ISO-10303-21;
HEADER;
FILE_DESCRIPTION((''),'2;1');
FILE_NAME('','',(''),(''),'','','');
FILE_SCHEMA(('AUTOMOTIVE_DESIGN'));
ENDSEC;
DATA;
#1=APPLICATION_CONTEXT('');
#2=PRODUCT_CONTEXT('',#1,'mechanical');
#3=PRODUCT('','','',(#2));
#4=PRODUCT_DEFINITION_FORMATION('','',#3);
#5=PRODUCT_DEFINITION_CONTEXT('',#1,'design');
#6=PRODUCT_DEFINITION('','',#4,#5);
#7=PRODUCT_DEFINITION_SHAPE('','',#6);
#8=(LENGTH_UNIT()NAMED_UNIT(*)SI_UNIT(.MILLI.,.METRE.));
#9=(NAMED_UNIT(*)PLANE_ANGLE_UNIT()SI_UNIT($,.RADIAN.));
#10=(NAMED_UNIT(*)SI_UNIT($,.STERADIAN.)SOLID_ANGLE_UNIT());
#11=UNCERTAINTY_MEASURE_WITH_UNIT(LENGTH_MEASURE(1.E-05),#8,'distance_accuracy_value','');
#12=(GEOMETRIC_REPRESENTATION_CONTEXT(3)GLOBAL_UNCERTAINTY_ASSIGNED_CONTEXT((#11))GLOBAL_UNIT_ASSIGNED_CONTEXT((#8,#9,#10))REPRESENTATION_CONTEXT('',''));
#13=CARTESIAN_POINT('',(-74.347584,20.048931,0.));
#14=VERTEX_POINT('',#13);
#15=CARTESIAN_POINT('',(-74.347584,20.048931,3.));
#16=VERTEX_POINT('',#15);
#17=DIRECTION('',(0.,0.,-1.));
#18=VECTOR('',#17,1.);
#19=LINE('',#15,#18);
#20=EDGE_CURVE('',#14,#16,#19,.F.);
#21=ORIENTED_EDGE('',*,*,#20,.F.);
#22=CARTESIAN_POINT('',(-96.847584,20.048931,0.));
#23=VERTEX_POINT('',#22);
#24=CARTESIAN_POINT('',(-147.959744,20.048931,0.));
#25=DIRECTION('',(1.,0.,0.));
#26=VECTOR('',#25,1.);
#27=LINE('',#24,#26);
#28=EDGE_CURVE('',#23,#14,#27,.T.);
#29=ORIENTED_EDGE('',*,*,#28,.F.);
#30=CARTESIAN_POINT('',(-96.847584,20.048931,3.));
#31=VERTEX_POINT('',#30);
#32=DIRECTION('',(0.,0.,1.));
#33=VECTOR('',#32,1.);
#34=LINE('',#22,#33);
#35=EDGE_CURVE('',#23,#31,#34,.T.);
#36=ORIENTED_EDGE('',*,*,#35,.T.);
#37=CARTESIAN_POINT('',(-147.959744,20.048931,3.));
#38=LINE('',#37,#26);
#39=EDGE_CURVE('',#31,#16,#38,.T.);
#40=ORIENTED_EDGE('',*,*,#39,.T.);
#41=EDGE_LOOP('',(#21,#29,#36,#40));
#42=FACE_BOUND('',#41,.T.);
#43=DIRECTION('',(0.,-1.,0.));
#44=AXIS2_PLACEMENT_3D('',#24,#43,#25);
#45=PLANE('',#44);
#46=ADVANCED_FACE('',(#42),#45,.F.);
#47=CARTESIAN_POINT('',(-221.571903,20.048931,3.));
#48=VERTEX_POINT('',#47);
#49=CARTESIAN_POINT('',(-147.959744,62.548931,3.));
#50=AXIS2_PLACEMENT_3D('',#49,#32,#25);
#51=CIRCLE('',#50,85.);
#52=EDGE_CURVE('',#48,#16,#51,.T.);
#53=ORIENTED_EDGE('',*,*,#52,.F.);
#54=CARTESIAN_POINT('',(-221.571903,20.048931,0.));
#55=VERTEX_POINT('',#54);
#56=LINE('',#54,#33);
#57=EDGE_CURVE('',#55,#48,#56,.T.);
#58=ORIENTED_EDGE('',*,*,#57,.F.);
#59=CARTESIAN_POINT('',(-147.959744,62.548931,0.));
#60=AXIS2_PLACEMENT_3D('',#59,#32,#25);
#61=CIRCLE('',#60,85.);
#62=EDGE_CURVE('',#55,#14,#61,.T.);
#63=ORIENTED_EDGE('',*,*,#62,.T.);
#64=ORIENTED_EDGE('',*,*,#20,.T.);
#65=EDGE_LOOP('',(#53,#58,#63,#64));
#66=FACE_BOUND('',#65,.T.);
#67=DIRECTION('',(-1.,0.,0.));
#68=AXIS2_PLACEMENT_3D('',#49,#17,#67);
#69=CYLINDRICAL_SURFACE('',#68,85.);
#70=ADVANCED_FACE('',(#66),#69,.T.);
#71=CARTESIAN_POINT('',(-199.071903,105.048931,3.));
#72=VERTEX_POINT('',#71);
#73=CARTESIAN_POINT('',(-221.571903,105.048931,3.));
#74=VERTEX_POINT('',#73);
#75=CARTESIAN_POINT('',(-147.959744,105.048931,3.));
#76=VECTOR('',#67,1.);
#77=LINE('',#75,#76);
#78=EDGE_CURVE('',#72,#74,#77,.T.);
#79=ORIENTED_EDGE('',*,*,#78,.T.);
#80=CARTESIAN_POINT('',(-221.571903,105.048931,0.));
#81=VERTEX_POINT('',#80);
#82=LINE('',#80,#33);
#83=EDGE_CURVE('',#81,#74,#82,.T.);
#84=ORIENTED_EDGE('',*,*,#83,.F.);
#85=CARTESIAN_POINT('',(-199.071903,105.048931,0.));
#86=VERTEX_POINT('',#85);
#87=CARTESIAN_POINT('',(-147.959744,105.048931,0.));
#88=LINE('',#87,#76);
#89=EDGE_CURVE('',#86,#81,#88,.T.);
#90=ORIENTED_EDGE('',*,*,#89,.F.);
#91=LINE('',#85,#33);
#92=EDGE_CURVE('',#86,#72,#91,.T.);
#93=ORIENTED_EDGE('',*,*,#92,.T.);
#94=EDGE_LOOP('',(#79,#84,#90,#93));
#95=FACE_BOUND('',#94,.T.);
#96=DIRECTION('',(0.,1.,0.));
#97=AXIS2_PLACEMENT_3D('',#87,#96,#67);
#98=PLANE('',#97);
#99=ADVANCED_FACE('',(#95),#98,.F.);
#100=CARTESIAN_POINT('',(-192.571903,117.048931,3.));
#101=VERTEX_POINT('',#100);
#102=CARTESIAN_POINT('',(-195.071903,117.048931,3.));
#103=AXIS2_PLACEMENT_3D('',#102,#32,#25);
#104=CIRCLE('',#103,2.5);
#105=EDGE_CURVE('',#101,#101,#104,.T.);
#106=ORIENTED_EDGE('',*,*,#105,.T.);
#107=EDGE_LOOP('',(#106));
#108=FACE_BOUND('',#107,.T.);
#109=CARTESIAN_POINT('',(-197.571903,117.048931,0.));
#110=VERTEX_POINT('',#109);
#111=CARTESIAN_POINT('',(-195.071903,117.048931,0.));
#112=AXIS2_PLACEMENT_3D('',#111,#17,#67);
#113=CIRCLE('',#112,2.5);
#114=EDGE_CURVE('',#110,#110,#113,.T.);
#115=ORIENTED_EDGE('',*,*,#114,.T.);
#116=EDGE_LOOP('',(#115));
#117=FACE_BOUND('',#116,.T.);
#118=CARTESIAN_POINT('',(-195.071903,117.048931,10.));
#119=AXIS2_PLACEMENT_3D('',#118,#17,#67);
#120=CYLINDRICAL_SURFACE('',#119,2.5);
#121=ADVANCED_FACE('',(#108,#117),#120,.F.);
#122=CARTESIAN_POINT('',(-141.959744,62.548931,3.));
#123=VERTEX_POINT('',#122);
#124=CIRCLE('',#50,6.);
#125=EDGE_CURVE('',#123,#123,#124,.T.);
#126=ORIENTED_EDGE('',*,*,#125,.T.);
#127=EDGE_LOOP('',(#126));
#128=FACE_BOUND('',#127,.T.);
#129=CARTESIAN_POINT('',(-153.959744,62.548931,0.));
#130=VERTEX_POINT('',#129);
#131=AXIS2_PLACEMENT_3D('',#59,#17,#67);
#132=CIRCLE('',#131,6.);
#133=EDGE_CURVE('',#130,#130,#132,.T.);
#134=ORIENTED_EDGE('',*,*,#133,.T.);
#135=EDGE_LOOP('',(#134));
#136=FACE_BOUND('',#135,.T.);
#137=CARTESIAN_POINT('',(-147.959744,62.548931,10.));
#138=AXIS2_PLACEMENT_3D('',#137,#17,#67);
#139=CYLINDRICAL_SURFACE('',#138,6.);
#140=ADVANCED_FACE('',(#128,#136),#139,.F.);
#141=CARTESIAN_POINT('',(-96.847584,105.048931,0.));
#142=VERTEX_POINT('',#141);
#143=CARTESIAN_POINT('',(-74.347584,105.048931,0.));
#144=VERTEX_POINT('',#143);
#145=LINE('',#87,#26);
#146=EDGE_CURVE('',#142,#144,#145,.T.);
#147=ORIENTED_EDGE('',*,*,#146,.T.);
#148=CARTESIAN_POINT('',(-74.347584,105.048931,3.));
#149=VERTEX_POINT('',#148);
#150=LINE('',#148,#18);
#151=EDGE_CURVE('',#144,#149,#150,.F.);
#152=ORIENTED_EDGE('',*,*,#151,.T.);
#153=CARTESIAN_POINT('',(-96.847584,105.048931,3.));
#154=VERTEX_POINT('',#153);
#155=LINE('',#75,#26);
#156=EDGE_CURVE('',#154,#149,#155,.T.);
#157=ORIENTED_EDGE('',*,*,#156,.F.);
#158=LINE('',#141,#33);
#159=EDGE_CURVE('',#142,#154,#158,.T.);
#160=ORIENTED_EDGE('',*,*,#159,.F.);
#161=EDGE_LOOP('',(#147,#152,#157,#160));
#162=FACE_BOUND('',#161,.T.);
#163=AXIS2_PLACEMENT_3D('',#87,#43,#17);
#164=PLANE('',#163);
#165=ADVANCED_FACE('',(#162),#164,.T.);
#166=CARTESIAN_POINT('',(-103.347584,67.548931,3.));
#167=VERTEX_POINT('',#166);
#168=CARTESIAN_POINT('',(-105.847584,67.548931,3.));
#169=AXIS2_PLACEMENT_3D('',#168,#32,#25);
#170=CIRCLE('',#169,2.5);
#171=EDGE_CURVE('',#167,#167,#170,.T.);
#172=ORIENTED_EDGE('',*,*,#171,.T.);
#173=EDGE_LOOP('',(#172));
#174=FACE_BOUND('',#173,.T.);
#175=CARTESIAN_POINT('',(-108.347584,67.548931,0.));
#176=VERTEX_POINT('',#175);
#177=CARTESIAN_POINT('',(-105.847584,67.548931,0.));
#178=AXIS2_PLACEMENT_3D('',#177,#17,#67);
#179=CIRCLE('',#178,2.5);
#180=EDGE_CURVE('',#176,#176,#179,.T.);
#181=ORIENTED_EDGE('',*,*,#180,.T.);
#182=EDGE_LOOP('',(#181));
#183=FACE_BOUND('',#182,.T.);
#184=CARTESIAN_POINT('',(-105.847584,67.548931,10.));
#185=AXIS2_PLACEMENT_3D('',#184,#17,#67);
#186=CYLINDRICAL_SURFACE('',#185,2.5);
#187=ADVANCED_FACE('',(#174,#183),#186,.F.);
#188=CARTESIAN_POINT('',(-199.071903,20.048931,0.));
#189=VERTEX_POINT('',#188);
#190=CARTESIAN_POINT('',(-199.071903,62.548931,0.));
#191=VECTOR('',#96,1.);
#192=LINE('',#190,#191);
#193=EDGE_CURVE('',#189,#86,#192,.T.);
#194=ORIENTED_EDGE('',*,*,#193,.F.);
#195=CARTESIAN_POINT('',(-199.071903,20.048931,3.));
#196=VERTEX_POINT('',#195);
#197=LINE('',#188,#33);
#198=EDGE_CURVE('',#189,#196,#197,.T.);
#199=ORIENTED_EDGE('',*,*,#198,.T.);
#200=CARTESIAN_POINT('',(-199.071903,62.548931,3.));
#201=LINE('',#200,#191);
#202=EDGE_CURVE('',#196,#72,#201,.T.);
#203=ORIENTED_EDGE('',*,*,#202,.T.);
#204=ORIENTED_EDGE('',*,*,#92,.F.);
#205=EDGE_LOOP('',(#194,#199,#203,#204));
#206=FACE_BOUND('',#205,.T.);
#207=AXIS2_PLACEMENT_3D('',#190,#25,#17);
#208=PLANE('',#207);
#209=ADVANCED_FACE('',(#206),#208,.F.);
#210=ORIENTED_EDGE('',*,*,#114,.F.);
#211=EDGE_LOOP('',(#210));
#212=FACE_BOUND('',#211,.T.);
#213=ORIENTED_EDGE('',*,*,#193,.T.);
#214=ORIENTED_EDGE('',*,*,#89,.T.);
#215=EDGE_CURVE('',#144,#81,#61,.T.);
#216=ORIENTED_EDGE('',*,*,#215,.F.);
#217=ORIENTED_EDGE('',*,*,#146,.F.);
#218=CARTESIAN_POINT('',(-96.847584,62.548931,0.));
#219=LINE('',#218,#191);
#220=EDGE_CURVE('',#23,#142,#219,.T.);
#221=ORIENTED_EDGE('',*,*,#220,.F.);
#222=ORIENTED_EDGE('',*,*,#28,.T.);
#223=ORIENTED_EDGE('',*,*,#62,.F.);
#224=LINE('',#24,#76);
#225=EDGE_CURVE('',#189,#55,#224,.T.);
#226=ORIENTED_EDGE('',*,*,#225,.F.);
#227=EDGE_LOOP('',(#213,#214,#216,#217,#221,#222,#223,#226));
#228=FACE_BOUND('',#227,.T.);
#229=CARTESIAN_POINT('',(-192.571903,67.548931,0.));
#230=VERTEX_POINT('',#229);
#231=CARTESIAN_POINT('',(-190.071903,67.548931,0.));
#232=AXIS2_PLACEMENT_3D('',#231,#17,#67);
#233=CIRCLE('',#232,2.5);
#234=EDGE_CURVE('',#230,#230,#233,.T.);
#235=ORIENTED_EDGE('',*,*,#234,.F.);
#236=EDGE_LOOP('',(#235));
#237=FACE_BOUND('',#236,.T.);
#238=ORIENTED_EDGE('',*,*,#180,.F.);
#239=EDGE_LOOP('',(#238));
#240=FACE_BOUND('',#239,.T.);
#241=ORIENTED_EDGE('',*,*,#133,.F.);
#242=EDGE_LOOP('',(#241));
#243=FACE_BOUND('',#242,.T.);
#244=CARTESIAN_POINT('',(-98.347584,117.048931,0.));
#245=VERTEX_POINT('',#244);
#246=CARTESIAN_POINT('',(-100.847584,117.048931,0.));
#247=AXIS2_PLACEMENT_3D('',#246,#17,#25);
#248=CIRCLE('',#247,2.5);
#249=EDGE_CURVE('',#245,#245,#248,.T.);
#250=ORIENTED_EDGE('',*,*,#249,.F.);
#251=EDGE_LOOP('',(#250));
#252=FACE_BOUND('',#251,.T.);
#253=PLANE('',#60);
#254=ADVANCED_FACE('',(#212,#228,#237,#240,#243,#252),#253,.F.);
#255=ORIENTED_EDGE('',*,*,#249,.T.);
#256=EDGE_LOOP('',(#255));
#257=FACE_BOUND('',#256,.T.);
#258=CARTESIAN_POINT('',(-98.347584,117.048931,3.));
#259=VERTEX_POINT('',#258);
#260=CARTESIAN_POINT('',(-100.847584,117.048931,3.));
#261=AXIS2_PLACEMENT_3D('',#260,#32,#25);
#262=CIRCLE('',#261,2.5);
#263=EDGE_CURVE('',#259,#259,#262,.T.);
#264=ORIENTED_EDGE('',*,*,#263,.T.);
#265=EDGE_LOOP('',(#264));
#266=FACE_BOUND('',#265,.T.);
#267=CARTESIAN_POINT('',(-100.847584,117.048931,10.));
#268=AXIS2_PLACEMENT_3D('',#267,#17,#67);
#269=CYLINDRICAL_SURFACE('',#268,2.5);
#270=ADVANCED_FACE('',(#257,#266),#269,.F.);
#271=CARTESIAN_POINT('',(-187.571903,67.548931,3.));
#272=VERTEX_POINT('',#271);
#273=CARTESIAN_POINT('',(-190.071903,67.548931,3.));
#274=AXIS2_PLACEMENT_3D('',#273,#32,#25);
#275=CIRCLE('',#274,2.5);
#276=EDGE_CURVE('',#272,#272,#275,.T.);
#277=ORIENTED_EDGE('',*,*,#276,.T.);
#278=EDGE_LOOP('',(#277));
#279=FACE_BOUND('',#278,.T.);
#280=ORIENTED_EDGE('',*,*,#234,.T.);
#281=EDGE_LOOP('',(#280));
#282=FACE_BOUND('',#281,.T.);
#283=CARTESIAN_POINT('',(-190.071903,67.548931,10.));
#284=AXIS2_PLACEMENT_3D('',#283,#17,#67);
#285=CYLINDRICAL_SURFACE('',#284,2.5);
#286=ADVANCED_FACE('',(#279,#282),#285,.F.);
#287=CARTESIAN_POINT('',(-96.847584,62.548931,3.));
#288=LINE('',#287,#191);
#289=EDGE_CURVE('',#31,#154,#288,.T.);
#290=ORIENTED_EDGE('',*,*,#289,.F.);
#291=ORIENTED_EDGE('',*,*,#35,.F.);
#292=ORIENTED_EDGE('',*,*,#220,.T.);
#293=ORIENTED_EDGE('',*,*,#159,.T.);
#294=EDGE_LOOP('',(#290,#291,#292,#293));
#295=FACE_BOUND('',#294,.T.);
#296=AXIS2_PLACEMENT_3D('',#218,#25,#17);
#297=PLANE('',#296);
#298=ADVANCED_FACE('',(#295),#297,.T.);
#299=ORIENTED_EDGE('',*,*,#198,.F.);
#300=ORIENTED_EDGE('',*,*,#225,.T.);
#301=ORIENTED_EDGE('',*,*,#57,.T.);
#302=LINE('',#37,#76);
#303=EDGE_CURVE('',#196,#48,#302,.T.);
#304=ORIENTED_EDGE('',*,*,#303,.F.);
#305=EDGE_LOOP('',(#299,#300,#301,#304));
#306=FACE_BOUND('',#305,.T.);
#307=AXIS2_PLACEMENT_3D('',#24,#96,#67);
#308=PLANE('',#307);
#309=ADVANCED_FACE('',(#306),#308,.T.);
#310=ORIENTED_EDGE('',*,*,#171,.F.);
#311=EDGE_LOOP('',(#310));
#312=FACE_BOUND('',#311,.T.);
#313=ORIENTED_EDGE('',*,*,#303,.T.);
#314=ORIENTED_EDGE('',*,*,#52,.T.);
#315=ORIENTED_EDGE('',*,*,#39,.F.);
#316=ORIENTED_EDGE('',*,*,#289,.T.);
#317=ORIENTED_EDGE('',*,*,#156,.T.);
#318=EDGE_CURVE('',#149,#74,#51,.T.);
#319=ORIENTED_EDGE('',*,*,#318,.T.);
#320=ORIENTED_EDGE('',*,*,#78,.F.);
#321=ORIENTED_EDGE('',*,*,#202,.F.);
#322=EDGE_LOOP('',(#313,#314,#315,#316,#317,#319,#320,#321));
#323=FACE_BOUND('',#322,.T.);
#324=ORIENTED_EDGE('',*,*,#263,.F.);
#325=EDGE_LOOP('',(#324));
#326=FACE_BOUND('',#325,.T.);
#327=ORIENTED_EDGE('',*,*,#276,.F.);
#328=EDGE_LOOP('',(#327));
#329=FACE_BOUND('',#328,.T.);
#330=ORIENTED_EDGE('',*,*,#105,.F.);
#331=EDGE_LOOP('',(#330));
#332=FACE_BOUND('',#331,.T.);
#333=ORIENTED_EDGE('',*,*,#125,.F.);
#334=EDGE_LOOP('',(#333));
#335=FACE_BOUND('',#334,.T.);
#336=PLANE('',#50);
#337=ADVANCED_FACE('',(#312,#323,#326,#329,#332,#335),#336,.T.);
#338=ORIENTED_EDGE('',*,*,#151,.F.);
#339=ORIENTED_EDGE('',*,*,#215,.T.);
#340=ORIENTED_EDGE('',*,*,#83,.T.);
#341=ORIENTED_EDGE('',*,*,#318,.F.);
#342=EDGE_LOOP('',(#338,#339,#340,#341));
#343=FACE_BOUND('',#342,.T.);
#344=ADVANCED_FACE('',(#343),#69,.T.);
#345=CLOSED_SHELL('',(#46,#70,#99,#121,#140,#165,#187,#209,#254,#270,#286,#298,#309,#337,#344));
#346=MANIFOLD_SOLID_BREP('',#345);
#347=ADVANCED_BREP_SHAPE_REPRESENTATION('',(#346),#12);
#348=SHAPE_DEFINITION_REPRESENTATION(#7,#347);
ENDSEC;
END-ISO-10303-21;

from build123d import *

# Parameters (mm, degrees)
ESQUISSE1_R              = 85
BOSS_EXTRU_1_DEPTH       = 3
ESQUISSE2_W              = 32.5
ESQUISSE2_H              = 85
ENL_V_MAT_EXTRU_6_DEPTH  = 3
ESQUISSE53_R             = 2.5
ENL_V_MAT_EXTRU_21_DEPTH = 10
ESQUISSE54_R             = 2.5
ENL_V_MAT_EXTRU_22_DEPTH = 10
ESQUISSE55_R             = 6
ENL_V_MAT_EXTRU_23_DEPTH = 10


with BuildPart() as part:
    # Esquisse1 → Boss.-Extru.1 (new body)
    with BuildSketch(Plane.XY):
        with Locations((-147.95974357, 62.548931244)):
            Circle(ESQUISSE1_R)
    extrude(amount=BOSS_EXTRU_1_DEPTH)

    # Esquisse2 → Enlèv. mat.-Extru.6 (cut)
    with BuildSketch(Plane.XY):
        with BuildLine():
            Line((-199.071902892, 105.048931244), (-221.571902892, 105.048931244))
            ThreePointArc((-221.571902892, 105.048931244), (-227.739869981, 91.876928617), (-231.571902892, 77.846212492))
            Line((-231.571902892, 77.846212492), (-231.571902892, 47.251649997))
            ThreePointArc((-231.571902892, 47.251649997), (-227.739869981, 33.220933871), (-221.571902892, 20.048931244))
            Line((-221.571902892, 20.048931244), (-199.071902892, 20.048931244))
            Line((-199.071902892, 20.048931244), (-199.071902892, 105.048931244))
        make_face()
        with Locations((-80.597584249, 62.548931244)):
            Rectangle(ESQUISSE2_W, ESQUISSE2_H)
    extrude(amount=ENL_V_MAT_EXTRU_6_DEPTH, mode=Mode.SUBTRACT)


with BuildPart() as enl_v_mat_extru_6_piece_1:
    # of the separate pieces the step leaves, piece 1, a body of its own (enl_v_mat_extru_6_pieces)
    add(part.part.solids().sort_by_distance((-74.347584249, 105.048931244, 0))[0])

    # Esquisse53 → Enlèv. mat.-Extru.21 (cut)
    with BuildSketch(Plane(origin=(0, 0, 0), x_dir=(-1, 0, 0), z_dir=(0, 0, -1))):
        with Locations((190.071902892, 67.548931244)):
            Circle(ESQUISSE53_R)
        with Locations((105.847584249, 67.548931244)):
            Circle(ESQUISSE53_R)
    extrude(amount=-ENL_V_MAT_EXTRU_21_DEPTH, mode=Mode.SUBTRACT)

    # Esquisse54 → Enlèv. mat.-Extru.22 (cut)
    with BuildSketch(Plane(origin=(0, 0, 0), x_dir=(-1, 0, 0), z_dir=(0, 0, -1))):
        with Locations((195.071902892, 117.048931244)):
            Circle(ESQUISSE54_R)
        with Locations(Location((100.847584249, 117.048931244, 0), (0, 0, 180))):
            Circle(ESQUISSE54_R)
    extrude(amount=-ENL_V_MAT_EXTRU_22_DEPTH, mode=Mode.SUBTRACT)

    # Esquisse55 → Enlèv. mat.-Extru.23 (cut)
    with BuildSketch(Plane(origin=(0, 0, 0), x_dir=(-1, 0, 0), z_dir=(0, 0, -1))):
        with Locations((147.95974357, 62.548931244)):
            Circle(ESQUISSE55_R)
    extrude(amount=-ENL_V_MAT_EXTRU_23_DEPTH, mode=Mode.SUBTRACT)


with BuildPart() as enl_v_mat_extru_6_piece_2:
    # of the separate pieces the step leaves, piece 2, a body of its own (enl_v_mat_extru_6_pieces)
    add(part.part.solids().sort_by_distance((-64.347584249, 47.251649997, 0))[0])


with BuildPart() as enl_v_mat_extru_6_piece_3:
    # of the separate pieces the step leaves, piece 3, a body of its own (enl_v_mat_extru_6_pieces)
    add(part.part.solids().sort_by_distance((-231.571902892, 77.846212492, 0))[0])


solid = enl_v_mat_extru_6_piece_1.part
